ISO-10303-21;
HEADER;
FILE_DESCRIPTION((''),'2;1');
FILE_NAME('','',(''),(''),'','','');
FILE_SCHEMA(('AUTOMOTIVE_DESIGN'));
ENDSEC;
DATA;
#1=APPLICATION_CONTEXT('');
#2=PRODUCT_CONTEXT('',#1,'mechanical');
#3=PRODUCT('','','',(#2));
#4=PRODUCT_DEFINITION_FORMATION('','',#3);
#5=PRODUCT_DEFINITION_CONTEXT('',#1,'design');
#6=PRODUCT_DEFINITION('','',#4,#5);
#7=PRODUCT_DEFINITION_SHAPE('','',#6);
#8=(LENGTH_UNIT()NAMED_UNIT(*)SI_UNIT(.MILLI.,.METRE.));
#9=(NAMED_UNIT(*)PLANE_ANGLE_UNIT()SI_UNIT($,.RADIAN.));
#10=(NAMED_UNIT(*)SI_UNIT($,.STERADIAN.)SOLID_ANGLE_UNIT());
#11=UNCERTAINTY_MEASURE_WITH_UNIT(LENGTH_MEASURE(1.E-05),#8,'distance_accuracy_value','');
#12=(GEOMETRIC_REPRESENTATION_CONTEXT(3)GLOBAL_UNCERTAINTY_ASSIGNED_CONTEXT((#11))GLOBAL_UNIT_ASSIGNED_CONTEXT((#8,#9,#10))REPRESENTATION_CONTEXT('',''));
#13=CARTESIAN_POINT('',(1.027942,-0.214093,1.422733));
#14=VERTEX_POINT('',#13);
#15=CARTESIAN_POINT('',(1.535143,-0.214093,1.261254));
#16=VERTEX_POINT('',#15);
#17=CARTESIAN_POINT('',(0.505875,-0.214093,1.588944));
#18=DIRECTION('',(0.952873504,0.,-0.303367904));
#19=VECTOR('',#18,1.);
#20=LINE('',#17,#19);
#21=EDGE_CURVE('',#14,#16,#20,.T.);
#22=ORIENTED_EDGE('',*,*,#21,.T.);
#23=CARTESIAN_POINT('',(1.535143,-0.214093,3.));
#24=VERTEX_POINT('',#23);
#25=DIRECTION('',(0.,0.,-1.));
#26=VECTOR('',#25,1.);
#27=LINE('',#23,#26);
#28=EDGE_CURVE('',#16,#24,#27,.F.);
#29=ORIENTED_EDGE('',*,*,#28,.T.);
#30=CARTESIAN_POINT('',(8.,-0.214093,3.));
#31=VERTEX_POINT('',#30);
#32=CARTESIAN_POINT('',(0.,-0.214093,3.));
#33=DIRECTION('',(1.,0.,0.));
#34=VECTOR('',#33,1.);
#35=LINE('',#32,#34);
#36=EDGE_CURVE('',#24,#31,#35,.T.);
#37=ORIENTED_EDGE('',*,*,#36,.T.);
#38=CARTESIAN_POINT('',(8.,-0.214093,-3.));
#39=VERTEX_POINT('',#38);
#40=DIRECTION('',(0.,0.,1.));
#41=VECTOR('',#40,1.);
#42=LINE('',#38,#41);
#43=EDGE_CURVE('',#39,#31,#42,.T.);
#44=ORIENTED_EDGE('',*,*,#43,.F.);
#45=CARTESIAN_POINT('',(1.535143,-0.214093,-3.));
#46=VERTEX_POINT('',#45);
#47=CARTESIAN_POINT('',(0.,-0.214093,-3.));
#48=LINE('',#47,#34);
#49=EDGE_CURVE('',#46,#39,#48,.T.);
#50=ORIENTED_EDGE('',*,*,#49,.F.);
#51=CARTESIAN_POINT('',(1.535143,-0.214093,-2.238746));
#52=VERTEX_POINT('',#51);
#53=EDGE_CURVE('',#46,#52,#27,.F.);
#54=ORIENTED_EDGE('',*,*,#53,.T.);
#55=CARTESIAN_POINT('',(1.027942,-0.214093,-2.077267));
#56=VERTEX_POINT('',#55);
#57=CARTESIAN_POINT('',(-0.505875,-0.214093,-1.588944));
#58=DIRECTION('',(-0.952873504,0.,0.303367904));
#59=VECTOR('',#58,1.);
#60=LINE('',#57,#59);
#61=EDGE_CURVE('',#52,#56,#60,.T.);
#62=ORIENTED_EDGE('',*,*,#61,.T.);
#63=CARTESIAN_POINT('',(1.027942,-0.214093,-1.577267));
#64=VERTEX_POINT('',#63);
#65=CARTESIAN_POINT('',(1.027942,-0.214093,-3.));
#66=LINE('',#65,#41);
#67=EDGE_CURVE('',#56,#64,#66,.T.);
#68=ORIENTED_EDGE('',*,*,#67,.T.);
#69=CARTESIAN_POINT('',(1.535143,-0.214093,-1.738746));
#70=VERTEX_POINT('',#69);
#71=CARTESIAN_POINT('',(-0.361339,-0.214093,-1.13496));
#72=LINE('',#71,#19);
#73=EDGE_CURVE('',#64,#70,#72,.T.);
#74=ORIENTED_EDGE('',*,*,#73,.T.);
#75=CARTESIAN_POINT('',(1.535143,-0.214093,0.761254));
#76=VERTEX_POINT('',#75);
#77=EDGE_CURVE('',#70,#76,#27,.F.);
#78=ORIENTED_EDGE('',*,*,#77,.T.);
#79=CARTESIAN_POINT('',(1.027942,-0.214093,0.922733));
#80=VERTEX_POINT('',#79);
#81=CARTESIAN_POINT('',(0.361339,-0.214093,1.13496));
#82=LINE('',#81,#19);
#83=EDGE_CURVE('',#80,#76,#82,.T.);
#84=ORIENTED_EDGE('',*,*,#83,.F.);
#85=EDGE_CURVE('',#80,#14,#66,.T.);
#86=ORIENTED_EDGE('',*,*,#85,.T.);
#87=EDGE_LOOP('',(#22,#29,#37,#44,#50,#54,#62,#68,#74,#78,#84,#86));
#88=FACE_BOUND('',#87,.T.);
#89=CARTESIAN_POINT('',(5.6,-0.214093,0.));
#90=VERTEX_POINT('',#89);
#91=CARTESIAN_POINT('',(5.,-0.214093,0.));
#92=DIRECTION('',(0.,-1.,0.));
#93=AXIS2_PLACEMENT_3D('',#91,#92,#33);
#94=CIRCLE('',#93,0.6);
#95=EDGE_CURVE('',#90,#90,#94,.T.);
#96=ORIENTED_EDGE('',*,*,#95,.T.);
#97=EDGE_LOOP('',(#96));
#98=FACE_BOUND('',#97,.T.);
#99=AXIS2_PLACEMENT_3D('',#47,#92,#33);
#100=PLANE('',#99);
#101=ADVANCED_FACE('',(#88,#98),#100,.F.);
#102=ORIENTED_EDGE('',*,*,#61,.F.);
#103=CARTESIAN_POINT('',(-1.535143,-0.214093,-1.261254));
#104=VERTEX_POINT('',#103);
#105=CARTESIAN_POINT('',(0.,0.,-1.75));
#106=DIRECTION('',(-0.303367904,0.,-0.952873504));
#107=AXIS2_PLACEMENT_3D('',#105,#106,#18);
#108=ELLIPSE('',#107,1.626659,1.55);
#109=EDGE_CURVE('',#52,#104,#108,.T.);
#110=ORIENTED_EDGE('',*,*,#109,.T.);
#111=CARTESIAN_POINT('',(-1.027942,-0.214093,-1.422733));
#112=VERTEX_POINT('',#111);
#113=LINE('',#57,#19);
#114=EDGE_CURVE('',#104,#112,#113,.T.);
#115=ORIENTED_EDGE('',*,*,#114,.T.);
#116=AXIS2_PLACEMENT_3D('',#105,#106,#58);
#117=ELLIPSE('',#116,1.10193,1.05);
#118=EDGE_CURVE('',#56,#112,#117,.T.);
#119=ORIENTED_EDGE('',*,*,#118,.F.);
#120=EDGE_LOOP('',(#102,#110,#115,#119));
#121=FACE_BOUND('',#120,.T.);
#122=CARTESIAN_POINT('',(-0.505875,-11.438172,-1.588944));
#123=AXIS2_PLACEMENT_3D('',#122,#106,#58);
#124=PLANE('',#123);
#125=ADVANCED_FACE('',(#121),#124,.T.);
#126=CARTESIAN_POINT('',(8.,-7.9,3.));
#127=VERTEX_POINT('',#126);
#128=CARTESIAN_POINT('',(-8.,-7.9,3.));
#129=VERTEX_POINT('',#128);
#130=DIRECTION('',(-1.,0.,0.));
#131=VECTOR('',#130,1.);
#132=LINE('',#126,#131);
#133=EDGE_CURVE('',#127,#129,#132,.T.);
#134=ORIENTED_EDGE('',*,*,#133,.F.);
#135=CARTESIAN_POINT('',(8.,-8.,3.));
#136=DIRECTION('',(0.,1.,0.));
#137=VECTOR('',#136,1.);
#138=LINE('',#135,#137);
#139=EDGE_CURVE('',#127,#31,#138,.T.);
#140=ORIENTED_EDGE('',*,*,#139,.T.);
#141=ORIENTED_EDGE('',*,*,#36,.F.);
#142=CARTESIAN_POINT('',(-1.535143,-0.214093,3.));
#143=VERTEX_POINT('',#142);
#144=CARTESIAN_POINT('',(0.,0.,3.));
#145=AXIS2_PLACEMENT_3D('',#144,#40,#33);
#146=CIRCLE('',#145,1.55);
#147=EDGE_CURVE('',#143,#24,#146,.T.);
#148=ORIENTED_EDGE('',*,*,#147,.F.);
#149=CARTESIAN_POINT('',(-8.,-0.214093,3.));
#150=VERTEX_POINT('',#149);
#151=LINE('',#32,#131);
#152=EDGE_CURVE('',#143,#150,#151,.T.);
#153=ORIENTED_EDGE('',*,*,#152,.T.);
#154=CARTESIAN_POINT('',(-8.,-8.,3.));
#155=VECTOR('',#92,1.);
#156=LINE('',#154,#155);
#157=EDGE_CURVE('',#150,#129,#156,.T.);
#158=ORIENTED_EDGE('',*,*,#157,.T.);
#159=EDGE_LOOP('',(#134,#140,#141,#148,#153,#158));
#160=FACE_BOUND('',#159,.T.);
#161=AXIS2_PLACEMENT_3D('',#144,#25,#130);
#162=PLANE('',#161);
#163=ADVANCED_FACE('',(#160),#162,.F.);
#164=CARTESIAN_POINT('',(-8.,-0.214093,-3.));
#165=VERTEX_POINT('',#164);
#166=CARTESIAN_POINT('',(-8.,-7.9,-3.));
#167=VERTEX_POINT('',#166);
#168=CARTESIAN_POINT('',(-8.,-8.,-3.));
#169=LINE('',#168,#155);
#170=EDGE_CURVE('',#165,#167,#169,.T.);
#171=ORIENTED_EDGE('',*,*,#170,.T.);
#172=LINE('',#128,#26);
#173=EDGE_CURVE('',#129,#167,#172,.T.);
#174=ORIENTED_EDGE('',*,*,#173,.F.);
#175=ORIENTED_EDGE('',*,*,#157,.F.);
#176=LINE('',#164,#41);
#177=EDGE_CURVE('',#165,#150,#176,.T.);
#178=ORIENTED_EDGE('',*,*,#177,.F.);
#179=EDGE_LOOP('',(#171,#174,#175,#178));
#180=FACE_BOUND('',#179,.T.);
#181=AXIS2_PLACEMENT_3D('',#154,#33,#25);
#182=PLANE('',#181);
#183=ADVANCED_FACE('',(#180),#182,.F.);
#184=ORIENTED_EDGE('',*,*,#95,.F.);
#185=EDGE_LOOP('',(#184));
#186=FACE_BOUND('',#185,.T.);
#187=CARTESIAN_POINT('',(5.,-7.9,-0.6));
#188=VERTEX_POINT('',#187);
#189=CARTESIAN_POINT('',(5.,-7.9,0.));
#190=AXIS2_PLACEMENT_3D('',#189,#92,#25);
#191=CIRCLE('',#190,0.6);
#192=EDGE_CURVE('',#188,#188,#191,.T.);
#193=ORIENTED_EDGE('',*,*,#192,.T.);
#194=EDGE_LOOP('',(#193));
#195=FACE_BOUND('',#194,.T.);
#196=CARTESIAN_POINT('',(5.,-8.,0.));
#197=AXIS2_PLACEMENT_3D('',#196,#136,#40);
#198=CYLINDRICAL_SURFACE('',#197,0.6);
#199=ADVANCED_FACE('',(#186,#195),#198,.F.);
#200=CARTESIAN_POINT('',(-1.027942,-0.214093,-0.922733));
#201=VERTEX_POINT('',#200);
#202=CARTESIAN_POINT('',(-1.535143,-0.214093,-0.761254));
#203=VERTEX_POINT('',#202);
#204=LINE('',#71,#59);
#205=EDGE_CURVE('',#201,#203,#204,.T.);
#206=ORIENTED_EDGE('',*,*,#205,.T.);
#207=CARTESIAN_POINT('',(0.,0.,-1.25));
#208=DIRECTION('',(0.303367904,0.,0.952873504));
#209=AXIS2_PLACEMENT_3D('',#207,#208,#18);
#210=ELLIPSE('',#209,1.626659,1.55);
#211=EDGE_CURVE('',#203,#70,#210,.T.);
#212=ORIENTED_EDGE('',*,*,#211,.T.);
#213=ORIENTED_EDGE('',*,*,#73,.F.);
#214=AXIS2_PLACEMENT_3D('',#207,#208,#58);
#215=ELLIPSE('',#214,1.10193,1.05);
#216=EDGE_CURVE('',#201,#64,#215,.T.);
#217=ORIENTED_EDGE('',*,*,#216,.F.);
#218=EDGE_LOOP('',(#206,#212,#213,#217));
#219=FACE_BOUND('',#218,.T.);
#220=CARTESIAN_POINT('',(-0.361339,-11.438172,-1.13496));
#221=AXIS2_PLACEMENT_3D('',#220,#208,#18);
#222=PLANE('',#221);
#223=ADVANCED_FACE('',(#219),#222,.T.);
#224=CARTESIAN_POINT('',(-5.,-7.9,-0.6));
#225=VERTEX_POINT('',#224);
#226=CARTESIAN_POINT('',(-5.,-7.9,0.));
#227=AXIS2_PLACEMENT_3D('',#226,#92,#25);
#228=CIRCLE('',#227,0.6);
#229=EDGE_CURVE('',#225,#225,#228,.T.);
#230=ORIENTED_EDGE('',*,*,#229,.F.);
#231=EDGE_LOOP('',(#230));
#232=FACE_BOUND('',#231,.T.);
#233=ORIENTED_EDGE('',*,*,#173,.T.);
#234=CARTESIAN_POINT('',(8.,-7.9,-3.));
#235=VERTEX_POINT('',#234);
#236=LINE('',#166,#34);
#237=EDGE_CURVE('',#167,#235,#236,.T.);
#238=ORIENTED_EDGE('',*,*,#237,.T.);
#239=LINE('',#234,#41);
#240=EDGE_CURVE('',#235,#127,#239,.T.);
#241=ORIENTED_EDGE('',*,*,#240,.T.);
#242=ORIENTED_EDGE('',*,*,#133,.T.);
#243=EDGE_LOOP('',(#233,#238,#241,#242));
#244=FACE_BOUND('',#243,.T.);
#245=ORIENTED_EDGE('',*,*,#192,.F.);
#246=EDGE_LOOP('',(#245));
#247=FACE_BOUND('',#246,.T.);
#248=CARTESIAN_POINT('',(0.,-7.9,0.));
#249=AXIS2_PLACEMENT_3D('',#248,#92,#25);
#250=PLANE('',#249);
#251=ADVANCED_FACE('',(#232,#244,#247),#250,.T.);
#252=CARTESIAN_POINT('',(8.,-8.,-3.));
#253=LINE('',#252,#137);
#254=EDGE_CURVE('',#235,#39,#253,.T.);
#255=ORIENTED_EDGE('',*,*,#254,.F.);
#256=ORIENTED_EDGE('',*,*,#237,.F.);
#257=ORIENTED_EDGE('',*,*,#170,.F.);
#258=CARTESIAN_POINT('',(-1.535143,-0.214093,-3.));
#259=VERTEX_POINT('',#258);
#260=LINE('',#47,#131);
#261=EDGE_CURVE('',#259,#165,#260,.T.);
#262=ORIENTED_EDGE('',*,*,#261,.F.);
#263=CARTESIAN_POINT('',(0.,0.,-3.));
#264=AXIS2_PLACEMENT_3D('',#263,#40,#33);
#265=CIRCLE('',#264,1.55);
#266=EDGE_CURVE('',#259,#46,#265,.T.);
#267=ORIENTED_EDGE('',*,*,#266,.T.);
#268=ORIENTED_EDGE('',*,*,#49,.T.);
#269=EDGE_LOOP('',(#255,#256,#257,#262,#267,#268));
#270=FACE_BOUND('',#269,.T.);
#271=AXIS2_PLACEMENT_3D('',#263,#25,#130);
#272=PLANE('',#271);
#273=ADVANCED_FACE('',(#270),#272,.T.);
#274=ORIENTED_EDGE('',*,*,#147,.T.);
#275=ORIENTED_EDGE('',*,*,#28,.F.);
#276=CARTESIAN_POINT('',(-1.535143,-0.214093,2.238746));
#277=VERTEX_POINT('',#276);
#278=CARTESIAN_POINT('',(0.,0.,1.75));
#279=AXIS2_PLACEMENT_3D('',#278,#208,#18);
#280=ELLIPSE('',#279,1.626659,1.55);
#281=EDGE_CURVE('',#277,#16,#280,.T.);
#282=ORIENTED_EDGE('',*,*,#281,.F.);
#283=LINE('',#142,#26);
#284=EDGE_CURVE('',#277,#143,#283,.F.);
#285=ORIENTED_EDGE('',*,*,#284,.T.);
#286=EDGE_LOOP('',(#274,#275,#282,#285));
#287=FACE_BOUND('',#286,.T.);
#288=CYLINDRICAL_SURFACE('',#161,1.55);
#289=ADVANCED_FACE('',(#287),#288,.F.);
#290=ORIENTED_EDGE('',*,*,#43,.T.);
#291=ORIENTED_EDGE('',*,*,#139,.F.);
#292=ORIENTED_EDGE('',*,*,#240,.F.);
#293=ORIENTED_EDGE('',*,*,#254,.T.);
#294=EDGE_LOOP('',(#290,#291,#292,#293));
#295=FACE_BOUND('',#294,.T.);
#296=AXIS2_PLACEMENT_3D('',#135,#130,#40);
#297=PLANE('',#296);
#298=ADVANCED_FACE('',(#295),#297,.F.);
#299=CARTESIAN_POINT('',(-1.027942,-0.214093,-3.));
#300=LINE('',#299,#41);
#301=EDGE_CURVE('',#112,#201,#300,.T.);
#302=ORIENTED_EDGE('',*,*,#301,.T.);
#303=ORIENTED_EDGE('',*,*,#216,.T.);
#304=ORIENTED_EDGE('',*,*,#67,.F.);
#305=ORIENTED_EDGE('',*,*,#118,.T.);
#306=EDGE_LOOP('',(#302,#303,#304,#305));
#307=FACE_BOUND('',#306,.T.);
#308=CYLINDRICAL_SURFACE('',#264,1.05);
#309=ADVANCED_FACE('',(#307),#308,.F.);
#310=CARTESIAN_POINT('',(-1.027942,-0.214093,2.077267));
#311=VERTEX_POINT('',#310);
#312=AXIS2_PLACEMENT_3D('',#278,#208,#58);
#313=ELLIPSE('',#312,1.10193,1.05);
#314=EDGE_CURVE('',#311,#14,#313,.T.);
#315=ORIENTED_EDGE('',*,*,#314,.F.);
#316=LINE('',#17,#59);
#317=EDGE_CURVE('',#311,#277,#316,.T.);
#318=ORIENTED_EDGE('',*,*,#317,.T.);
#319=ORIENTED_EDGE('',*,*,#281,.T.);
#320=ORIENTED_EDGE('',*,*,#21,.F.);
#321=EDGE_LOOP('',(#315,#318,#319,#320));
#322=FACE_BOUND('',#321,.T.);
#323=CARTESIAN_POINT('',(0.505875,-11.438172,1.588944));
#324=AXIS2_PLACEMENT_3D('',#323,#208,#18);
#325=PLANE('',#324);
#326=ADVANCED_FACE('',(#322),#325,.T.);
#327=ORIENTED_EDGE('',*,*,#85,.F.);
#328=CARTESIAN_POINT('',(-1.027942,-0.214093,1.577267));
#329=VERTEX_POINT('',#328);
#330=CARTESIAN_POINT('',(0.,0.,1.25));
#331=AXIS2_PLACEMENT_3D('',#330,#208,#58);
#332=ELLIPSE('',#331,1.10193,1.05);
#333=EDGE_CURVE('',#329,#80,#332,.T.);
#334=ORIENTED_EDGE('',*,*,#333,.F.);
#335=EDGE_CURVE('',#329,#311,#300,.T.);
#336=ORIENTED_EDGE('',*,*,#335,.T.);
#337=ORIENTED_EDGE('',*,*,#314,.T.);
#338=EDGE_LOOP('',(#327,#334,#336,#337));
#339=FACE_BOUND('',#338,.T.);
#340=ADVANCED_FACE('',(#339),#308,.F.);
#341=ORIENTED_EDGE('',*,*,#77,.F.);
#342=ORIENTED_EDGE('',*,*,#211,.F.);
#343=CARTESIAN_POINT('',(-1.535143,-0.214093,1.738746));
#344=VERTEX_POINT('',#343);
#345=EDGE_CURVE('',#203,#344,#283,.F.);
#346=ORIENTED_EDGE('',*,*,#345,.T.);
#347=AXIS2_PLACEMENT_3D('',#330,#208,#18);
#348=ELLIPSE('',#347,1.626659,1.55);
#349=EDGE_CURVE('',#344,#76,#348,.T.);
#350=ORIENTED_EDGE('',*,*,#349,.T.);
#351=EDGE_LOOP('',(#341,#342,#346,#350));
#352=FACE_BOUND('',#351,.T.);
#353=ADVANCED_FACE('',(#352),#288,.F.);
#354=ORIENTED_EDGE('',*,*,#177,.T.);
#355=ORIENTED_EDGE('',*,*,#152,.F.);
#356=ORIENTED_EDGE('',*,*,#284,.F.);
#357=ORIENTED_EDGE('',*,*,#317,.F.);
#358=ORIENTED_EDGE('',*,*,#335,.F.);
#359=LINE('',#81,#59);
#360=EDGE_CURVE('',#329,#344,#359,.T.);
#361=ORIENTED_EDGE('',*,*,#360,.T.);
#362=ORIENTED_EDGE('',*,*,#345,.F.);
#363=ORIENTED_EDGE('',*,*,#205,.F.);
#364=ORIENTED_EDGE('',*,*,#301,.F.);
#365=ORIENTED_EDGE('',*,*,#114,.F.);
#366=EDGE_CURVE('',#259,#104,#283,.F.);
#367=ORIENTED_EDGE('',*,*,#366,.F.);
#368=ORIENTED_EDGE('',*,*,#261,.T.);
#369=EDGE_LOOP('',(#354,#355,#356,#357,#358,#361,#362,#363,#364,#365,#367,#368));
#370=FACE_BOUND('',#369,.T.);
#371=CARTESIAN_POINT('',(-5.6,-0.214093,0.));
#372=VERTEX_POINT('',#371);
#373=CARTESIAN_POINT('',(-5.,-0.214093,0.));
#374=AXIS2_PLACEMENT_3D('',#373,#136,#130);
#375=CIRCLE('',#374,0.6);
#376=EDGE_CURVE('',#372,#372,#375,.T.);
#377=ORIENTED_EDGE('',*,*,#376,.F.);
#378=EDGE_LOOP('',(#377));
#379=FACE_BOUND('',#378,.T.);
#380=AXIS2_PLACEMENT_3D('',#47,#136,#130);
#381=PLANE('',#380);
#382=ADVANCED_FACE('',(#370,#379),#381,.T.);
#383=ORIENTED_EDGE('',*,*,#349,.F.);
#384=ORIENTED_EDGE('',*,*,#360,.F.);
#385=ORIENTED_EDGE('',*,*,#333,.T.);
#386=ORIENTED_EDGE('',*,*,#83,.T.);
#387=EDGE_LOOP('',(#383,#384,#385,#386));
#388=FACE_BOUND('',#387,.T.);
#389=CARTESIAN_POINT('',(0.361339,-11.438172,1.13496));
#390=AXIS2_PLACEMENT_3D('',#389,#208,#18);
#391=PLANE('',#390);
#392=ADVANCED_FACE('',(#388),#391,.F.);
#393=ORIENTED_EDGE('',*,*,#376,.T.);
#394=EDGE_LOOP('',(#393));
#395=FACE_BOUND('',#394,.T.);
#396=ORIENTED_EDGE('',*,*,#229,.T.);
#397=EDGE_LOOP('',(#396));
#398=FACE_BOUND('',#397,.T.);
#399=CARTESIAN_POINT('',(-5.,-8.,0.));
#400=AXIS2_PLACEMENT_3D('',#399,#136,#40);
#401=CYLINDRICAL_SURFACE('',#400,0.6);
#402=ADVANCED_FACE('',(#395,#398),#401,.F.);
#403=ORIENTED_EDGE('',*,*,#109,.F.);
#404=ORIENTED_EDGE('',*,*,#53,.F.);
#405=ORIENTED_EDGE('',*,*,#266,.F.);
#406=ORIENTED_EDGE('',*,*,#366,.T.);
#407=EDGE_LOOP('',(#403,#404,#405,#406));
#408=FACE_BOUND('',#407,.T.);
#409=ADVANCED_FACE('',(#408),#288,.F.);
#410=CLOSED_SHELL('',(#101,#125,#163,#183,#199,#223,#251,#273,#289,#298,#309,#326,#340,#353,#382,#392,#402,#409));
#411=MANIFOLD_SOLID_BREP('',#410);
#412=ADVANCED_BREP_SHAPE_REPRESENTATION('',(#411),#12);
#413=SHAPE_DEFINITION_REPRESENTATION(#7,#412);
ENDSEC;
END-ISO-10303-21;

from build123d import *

# Parameters (mm, degrees)
SKETCH_1_W               = 16
SKETCH_1_H               = 16
SKETCH_1_R               = 1.55
EXTRUDE_1_DEPTH          = 3
EXTRUDE_2_DEPTH          = 8
CUT_EXTRUDE_2_DEPTH      = 12.704699911
CUT_EXTRUDE_2_DEPTH_BACK = 12.704699911
SKETCH_8_R               = 0.6
CUT_EXTRUDE_3_DEPTH      = 12.704699911
CUT_EXTRUDE_START        = -0.1
SKETCH_10_W              = 16
SKETCH_10_H              = 6
SKETCH_10_R              = 0.6
CUT_EXTRUDE_7_DEPTH      = 0.1


with BuildPart() as part:
    # 草图1 → 凸台-拉伸1 (new, symmetric)
    with BuildSketch(Plane.XY):
        Rectangle(SKETCH_1_W, SKETCH_1_H)
        Circle(SKETCH_1_R, mode=Mode.SUBTRACT)
    extrude(amount=EXTRUDE_1_DEPTH, both=True)

    # 草图6 → 凸台-拉伸2 (add)
    with BuildSketch(Plane(origin=(0, 0, 0), x_dir=(1, 0, 0), z_dir=(0, 1, 0))):
        Polygon((-1.55, -1.743476048), (-1.55, -2.243476048), (1.55, -1.256523952), (1.55, -0.756523952), align=None)
        Polygon((-1.55, 1.256523952), (-1.55, 0.756523952), (1.55, 1.743476048), (1.55, 2.243476048), align=None)
    extrude(amount=-EXTRUDE_2_DEPTH)

    # 草图7 → 切除-拉伸2 (cut, two sides: drawn at the far end of the back side and taken through both)
    with BuildSketch(Plane.XY.offset(-CUT_EXTRUDE_2_DEPTH_BACK)):
        with BuildLine():
            Line((-8, -0.214092961), (-1.027941732, -0.214092961))
            ThreePointArc((-1.027941732, -0.214092961), (-0.107613153, 1.044470875), (1.05, 0))
            ThreePointArc((1.05, 0), (1.044470875, -0.107613153), (1.027941732, -0.214092961))
            Line((1.027941732, -0.214092961), (8, -0.214092961))
            Line((8, -0.214092961), (8, 8))
            Line((8, 8), (-8, 8))
            Line((-8, 8), (-8, -0.214092961))
        make_face()
        with BuildLine():
            Line((1.027941732, -0.214092961), (0, 0))
            Line((0, 0), (-1.027941732, -0.214092961))
            ThreePointArc((-1.027941732, -0.214092961), (0, -1.05), (1.027941732, -0.214092961))
        make_face()
        with BuildLine():
            Line((-1.027941732, -0.214092961), (0, 0))
            Line((0, 0), (1.027941732, -0.214092961))
            ThreePointArc((1.027941732, -0.214092961), (1.044470875, -0.107613153), (1.05, 0))
            ThreePointArc((1.05, 0), (-0.107613153, 1.044470875), (-1.027941732, -0.214092961))
        make_face()
    extrude(amount=CUT_EXTRUDE_2_DEPTH + CUT_EXTRUDE_2_DEPTH_BACK, mode=Mode.SUBTRACT)

    # 草图8 → 切除-拉伸3 (cut, through all)
    with BuildSketch(Plane(origin=(0, 0, 0), x_dir=(1, 0, 0), z_dir=(0, 1, 0))):
        with Locations(Location((-5, 0, 0), (0, 0, 270))):
            Circle(SKETCH_8_R)
        with Locations(Location((5, 0, 0), (0, 0, 270))):
            Circle(SKETCH_8_R)
    extrude(amount=-CUT_EXTRUDE_3_DEPTH, mode=Mode.SUBTRACT)

    # 草图10 → 切除-拉伸7 (cut)
    with BuildSketch(Plane.XZ.offset(8).offset(CUT_EXTRUDE_START)):
        Rectangle(SKETCH_10_W, SKETCH_10_H)
        with Locations(Location((-5, 0, 0), (0, 0, 180))):
            Circle(SKETCH_10_R, mode=Mode.SUBTRACT)
        with Locations((5, 0)):
            Circle(SKETCH_10_R, mode=Mode.SUBTRACT)
    extrude(amount=CUT_EXTRUDE_7_DEPTH, mode=Mode.SUBTRACT)


solid = part.part
